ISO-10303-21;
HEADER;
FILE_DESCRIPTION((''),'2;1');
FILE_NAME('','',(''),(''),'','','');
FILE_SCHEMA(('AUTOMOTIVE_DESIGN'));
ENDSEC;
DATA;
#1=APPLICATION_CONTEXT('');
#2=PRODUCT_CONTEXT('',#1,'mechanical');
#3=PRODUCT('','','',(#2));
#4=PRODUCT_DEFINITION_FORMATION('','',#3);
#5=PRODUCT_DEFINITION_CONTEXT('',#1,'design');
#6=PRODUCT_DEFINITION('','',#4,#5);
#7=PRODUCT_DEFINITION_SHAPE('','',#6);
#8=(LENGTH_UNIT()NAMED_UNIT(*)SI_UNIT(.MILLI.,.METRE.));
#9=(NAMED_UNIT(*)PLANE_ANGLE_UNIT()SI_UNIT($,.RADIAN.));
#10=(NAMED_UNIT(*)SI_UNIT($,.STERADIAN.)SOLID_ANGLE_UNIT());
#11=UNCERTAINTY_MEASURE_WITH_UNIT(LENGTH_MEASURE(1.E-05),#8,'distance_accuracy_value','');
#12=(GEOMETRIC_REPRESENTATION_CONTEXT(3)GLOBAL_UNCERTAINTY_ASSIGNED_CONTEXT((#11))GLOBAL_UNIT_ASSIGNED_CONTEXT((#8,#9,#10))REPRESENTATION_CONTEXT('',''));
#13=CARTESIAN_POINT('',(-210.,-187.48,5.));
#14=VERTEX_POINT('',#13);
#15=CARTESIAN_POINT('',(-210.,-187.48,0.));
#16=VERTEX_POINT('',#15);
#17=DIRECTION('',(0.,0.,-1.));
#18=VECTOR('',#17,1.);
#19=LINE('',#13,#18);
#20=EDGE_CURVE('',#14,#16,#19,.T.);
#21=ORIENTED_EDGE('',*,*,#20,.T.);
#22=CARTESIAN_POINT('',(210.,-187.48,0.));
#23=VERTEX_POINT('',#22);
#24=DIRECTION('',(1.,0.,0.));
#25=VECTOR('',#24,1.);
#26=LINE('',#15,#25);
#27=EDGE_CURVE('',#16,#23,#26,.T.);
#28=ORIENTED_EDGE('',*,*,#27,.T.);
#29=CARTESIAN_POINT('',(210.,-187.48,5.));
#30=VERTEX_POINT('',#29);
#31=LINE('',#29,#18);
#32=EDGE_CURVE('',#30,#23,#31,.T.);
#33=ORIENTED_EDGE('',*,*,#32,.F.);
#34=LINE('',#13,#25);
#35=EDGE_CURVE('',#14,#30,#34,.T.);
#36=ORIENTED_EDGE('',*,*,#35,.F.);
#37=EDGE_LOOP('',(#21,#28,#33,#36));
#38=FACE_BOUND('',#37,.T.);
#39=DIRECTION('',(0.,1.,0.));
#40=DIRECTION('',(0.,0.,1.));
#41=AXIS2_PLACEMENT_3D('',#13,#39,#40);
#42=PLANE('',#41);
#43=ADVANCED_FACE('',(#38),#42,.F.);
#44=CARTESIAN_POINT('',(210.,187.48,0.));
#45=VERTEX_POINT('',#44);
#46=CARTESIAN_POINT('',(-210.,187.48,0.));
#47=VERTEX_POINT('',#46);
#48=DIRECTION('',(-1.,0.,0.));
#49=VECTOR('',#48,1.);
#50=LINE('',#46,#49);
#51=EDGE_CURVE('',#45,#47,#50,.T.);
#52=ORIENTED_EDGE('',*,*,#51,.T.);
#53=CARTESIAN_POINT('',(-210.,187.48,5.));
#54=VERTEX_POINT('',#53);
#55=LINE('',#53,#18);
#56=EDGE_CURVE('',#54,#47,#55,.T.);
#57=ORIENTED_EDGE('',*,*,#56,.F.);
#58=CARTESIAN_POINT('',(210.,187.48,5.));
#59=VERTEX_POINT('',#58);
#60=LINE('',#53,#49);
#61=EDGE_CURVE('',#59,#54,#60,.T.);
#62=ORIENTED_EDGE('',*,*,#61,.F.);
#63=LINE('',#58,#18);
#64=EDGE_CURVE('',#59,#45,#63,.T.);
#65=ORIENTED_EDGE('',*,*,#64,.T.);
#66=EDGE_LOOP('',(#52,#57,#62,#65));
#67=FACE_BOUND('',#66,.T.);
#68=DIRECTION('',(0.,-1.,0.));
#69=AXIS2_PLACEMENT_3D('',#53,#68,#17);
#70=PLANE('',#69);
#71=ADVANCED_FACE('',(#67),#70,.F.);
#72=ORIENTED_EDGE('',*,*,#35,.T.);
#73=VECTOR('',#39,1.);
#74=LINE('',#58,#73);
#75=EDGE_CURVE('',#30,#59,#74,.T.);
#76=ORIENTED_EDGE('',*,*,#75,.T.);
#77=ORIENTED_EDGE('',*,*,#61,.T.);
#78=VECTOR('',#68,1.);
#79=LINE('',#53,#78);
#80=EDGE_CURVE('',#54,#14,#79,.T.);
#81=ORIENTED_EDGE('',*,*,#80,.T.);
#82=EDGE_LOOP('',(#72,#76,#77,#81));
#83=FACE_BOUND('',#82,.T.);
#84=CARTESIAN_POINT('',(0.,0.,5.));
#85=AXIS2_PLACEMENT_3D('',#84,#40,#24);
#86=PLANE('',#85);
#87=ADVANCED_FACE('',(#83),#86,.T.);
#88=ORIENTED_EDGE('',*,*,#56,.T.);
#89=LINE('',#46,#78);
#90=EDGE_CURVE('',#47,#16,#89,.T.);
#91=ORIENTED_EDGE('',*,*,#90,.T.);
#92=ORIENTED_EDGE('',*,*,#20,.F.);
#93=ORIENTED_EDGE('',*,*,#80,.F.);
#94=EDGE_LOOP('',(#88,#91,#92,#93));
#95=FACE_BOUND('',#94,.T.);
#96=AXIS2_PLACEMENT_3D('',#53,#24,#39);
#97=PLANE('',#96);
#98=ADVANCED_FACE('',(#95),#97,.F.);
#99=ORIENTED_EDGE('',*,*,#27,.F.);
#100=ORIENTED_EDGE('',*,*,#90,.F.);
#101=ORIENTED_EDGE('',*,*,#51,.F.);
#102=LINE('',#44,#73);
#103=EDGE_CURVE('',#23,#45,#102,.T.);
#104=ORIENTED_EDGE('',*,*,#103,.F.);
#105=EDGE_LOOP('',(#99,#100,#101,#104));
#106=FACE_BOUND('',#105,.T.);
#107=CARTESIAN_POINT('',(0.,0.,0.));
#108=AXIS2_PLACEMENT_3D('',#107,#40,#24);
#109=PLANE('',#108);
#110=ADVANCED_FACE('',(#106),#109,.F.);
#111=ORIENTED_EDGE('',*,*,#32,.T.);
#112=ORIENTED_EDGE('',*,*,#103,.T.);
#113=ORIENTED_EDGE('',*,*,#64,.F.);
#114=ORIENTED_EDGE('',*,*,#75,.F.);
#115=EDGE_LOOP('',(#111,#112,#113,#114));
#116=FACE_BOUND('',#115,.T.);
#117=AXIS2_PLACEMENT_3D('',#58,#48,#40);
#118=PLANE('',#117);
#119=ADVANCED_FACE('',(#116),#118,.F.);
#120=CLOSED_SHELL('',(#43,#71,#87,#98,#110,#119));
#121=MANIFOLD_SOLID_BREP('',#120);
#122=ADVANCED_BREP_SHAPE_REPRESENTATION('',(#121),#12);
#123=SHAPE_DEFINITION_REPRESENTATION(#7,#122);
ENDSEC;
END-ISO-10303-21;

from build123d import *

# Parameters (mm, degrees)
SKETCH_1_W      = 420
SKETCH_1_H      = 374.96
EXTRUDE_1_DEPTH = 5


with BuildPart() as part:
    # 스케치1 → 보스-돌출1 (new body)
    with BuildSketch(Plane.XY):
        Rectangle(SKETCH_1_W, SKETCH_1_H)
    extrude(amount=EXTRUDE_1_DEPTH)


solid = part.part
